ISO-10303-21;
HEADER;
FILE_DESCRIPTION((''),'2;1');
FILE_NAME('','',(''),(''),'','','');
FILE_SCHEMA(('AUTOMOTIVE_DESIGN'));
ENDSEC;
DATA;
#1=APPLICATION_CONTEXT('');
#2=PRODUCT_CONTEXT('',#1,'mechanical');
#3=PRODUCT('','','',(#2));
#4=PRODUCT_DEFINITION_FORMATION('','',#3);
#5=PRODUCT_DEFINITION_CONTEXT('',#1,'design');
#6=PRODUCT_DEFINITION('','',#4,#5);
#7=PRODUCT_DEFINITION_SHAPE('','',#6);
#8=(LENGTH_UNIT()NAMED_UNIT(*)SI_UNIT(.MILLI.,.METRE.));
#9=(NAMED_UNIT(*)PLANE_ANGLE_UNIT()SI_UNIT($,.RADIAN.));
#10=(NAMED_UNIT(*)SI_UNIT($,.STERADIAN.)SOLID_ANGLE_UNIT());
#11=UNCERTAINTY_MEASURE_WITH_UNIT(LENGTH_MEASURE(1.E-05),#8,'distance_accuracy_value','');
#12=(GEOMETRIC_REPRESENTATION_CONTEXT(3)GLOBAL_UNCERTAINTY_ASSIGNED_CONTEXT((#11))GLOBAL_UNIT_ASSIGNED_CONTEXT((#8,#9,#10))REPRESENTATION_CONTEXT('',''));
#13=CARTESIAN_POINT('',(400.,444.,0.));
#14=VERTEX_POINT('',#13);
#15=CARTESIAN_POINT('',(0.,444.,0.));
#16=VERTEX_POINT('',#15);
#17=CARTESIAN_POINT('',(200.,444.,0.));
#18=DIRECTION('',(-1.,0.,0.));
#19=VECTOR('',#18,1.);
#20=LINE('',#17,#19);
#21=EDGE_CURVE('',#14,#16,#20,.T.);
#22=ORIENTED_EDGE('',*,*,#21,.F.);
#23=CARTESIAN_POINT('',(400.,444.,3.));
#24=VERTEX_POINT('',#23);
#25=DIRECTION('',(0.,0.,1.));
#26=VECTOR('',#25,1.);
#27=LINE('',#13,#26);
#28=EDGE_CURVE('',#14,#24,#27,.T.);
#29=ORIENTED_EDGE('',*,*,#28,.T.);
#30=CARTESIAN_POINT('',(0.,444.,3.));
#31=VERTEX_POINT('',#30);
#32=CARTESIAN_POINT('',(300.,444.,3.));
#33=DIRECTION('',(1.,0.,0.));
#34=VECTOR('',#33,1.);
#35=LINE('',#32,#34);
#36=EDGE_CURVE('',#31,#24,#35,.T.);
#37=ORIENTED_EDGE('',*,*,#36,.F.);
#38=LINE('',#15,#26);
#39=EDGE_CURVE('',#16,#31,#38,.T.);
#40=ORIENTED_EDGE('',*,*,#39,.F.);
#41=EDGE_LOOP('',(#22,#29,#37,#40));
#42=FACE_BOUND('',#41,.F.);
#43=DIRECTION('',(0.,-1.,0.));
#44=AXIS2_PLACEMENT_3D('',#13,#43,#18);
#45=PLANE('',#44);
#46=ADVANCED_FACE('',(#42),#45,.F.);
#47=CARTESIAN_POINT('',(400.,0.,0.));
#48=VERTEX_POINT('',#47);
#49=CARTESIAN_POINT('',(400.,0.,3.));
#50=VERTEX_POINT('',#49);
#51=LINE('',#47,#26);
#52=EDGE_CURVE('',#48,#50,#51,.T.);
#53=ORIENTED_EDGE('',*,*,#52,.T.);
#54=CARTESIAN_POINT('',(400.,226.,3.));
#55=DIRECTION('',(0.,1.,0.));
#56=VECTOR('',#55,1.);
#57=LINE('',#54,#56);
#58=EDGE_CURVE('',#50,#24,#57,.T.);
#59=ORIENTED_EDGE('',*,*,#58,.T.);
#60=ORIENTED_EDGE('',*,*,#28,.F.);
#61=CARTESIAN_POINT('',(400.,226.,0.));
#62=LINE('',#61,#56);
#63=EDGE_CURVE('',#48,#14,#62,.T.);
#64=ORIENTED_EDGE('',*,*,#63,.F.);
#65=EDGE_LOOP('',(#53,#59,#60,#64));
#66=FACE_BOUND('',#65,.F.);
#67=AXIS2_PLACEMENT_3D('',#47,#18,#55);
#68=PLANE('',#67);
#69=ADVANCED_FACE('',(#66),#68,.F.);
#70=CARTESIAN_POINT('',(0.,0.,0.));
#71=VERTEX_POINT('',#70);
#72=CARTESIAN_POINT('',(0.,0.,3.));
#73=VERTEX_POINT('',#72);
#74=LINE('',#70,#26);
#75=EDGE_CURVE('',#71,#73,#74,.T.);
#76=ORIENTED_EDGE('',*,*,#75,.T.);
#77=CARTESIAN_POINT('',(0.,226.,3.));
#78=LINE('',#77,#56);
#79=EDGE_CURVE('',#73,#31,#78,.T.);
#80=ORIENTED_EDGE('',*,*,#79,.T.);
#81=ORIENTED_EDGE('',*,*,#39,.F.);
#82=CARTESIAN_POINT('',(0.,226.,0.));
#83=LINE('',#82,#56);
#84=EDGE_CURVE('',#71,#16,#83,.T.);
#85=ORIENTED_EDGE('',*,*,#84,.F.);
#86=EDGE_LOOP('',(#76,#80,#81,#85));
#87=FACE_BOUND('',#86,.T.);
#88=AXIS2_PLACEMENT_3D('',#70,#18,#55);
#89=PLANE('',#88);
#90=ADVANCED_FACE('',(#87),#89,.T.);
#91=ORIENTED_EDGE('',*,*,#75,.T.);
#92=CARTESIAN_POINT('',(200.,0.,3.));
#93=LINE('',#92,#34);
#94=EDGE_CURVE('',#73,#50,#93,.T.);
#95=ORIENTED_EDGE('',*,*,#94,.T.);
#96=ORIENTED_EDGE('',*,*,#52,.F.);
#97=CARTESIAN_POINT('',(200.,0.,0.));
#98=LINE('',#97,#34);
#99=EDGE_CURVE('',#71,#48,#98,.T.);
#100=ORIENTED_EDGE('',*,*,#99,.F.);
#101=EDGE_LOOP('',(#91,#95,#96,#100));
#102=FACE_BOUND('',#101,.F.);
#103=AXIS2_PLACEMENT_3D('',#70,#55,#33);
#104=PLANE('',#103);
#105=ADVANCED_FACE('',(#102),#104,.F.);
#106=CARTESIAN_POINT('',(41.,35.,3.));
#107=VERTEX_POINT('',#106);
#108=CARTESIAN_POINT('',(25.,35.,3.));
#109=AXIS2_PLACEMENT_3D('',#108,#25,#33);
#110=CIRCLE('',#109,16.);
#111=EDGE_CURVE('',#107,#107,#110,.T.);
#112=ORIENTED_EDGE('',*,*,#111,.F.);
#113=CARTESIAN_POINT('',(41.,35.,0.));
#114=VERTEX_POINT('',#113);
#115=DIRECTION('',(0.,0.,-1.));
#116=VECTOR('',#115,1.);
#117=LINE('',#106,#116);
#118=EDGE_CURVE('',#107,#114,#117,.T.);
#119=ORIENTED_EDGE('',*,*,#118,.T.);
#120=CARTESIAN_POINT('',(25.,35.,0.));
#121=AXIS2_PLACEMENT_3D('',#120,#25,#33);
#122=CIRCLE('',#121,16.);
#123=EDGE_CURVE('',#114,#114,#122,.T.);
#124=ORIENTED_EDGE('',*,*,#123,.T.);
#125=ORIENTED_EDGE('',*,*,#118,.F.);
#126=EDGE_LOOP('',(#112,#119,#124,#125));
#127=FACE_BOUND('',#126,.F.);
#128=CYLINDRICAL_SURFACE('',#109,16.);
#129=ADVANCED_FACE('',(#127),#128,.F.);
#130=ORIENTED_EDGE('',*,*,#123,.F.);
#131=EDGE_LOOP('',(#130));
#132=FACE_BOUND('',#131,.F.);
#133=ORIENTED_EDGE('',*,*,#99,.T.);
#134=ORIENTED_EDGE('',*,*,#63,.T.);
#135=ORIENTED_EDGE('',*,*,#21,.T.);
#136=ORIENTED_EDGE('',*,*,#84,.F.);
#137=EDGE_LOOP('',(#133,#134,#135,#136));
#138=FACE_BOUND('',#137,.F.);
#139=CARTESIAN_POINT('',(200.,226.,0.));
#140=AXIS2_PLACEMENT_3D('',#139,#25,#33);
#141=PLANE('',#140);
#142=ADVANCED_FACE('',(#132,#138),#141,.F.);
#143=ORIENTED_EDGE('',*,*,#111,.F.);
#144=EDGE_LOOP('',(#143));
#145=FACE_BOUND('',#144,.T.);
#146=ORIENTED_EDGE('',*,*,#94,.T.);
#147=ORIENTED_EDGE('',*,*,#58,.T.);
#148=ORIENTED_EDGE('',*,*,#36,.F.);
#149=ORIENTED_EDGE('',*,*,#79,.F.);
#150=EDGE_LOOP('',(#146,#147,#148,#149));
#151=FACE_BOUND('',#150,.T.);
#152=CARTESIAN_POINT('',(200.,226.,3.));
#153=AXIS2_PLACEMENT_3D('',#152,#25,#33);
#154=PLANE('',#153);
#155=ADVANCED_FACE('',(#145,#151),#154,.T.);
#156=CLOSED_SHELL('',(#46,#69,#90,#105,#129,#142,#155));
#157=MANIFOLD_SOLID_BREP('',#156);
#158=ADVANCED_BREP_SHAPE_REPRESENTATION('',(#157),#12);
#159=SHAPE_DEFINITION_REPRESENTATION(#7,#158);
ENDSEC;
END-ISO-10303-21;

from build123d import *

# Parameters (mm, degrees)
SKETCH1_W           = 400
SKETCH1_H           = 452
BOSS_EXTRUDE1_DEPTH = 3
SKETCH4_R           = 16
CUT_EXTRUDE2_DEPTH  = 10
SKETCH5_W           = 400
SKETCH5_H           = 8
CUT_EXTRUDE3_DEPTH  = 4


with BuildPart() as part:
    # Sketch1 → Boss-Extrude1 (new body)
    with BuildSketch(Plane.XY):
        with Locations((200, 226)):
            Rectangle(SKETCH1_W, SKETCH1_H)
    extrude(amount=BOSS_EXTRUDE1_DEPTH)

    # Sketch4 → Cut-Extrude2 (cut)
    with BuildSketch(Plane.XY.offset(3)):
        with Locations((25, 35)):
            Circle(SKETCH4_R)
    extrude(amount=-CUT_EXTRUDE2_DEPTH, mode=Mode.SUBTRACT)

    # Sketch5 → Cut-Extrude3 (cut, through all)
    with BuildSketch(Plane(origin=(0, 0, 0), x_dir=(-1, 0, 0), z_dir=(0, 0, -1))):
        with Locations((-200, 448)):
            Rectangle(SKETCH5_W, SKETCH5_H)
    extrude(amount=-CUT_EXTRUDE3_DEPTH, mode=Mode.SUBTRACT)


solid = part.part
